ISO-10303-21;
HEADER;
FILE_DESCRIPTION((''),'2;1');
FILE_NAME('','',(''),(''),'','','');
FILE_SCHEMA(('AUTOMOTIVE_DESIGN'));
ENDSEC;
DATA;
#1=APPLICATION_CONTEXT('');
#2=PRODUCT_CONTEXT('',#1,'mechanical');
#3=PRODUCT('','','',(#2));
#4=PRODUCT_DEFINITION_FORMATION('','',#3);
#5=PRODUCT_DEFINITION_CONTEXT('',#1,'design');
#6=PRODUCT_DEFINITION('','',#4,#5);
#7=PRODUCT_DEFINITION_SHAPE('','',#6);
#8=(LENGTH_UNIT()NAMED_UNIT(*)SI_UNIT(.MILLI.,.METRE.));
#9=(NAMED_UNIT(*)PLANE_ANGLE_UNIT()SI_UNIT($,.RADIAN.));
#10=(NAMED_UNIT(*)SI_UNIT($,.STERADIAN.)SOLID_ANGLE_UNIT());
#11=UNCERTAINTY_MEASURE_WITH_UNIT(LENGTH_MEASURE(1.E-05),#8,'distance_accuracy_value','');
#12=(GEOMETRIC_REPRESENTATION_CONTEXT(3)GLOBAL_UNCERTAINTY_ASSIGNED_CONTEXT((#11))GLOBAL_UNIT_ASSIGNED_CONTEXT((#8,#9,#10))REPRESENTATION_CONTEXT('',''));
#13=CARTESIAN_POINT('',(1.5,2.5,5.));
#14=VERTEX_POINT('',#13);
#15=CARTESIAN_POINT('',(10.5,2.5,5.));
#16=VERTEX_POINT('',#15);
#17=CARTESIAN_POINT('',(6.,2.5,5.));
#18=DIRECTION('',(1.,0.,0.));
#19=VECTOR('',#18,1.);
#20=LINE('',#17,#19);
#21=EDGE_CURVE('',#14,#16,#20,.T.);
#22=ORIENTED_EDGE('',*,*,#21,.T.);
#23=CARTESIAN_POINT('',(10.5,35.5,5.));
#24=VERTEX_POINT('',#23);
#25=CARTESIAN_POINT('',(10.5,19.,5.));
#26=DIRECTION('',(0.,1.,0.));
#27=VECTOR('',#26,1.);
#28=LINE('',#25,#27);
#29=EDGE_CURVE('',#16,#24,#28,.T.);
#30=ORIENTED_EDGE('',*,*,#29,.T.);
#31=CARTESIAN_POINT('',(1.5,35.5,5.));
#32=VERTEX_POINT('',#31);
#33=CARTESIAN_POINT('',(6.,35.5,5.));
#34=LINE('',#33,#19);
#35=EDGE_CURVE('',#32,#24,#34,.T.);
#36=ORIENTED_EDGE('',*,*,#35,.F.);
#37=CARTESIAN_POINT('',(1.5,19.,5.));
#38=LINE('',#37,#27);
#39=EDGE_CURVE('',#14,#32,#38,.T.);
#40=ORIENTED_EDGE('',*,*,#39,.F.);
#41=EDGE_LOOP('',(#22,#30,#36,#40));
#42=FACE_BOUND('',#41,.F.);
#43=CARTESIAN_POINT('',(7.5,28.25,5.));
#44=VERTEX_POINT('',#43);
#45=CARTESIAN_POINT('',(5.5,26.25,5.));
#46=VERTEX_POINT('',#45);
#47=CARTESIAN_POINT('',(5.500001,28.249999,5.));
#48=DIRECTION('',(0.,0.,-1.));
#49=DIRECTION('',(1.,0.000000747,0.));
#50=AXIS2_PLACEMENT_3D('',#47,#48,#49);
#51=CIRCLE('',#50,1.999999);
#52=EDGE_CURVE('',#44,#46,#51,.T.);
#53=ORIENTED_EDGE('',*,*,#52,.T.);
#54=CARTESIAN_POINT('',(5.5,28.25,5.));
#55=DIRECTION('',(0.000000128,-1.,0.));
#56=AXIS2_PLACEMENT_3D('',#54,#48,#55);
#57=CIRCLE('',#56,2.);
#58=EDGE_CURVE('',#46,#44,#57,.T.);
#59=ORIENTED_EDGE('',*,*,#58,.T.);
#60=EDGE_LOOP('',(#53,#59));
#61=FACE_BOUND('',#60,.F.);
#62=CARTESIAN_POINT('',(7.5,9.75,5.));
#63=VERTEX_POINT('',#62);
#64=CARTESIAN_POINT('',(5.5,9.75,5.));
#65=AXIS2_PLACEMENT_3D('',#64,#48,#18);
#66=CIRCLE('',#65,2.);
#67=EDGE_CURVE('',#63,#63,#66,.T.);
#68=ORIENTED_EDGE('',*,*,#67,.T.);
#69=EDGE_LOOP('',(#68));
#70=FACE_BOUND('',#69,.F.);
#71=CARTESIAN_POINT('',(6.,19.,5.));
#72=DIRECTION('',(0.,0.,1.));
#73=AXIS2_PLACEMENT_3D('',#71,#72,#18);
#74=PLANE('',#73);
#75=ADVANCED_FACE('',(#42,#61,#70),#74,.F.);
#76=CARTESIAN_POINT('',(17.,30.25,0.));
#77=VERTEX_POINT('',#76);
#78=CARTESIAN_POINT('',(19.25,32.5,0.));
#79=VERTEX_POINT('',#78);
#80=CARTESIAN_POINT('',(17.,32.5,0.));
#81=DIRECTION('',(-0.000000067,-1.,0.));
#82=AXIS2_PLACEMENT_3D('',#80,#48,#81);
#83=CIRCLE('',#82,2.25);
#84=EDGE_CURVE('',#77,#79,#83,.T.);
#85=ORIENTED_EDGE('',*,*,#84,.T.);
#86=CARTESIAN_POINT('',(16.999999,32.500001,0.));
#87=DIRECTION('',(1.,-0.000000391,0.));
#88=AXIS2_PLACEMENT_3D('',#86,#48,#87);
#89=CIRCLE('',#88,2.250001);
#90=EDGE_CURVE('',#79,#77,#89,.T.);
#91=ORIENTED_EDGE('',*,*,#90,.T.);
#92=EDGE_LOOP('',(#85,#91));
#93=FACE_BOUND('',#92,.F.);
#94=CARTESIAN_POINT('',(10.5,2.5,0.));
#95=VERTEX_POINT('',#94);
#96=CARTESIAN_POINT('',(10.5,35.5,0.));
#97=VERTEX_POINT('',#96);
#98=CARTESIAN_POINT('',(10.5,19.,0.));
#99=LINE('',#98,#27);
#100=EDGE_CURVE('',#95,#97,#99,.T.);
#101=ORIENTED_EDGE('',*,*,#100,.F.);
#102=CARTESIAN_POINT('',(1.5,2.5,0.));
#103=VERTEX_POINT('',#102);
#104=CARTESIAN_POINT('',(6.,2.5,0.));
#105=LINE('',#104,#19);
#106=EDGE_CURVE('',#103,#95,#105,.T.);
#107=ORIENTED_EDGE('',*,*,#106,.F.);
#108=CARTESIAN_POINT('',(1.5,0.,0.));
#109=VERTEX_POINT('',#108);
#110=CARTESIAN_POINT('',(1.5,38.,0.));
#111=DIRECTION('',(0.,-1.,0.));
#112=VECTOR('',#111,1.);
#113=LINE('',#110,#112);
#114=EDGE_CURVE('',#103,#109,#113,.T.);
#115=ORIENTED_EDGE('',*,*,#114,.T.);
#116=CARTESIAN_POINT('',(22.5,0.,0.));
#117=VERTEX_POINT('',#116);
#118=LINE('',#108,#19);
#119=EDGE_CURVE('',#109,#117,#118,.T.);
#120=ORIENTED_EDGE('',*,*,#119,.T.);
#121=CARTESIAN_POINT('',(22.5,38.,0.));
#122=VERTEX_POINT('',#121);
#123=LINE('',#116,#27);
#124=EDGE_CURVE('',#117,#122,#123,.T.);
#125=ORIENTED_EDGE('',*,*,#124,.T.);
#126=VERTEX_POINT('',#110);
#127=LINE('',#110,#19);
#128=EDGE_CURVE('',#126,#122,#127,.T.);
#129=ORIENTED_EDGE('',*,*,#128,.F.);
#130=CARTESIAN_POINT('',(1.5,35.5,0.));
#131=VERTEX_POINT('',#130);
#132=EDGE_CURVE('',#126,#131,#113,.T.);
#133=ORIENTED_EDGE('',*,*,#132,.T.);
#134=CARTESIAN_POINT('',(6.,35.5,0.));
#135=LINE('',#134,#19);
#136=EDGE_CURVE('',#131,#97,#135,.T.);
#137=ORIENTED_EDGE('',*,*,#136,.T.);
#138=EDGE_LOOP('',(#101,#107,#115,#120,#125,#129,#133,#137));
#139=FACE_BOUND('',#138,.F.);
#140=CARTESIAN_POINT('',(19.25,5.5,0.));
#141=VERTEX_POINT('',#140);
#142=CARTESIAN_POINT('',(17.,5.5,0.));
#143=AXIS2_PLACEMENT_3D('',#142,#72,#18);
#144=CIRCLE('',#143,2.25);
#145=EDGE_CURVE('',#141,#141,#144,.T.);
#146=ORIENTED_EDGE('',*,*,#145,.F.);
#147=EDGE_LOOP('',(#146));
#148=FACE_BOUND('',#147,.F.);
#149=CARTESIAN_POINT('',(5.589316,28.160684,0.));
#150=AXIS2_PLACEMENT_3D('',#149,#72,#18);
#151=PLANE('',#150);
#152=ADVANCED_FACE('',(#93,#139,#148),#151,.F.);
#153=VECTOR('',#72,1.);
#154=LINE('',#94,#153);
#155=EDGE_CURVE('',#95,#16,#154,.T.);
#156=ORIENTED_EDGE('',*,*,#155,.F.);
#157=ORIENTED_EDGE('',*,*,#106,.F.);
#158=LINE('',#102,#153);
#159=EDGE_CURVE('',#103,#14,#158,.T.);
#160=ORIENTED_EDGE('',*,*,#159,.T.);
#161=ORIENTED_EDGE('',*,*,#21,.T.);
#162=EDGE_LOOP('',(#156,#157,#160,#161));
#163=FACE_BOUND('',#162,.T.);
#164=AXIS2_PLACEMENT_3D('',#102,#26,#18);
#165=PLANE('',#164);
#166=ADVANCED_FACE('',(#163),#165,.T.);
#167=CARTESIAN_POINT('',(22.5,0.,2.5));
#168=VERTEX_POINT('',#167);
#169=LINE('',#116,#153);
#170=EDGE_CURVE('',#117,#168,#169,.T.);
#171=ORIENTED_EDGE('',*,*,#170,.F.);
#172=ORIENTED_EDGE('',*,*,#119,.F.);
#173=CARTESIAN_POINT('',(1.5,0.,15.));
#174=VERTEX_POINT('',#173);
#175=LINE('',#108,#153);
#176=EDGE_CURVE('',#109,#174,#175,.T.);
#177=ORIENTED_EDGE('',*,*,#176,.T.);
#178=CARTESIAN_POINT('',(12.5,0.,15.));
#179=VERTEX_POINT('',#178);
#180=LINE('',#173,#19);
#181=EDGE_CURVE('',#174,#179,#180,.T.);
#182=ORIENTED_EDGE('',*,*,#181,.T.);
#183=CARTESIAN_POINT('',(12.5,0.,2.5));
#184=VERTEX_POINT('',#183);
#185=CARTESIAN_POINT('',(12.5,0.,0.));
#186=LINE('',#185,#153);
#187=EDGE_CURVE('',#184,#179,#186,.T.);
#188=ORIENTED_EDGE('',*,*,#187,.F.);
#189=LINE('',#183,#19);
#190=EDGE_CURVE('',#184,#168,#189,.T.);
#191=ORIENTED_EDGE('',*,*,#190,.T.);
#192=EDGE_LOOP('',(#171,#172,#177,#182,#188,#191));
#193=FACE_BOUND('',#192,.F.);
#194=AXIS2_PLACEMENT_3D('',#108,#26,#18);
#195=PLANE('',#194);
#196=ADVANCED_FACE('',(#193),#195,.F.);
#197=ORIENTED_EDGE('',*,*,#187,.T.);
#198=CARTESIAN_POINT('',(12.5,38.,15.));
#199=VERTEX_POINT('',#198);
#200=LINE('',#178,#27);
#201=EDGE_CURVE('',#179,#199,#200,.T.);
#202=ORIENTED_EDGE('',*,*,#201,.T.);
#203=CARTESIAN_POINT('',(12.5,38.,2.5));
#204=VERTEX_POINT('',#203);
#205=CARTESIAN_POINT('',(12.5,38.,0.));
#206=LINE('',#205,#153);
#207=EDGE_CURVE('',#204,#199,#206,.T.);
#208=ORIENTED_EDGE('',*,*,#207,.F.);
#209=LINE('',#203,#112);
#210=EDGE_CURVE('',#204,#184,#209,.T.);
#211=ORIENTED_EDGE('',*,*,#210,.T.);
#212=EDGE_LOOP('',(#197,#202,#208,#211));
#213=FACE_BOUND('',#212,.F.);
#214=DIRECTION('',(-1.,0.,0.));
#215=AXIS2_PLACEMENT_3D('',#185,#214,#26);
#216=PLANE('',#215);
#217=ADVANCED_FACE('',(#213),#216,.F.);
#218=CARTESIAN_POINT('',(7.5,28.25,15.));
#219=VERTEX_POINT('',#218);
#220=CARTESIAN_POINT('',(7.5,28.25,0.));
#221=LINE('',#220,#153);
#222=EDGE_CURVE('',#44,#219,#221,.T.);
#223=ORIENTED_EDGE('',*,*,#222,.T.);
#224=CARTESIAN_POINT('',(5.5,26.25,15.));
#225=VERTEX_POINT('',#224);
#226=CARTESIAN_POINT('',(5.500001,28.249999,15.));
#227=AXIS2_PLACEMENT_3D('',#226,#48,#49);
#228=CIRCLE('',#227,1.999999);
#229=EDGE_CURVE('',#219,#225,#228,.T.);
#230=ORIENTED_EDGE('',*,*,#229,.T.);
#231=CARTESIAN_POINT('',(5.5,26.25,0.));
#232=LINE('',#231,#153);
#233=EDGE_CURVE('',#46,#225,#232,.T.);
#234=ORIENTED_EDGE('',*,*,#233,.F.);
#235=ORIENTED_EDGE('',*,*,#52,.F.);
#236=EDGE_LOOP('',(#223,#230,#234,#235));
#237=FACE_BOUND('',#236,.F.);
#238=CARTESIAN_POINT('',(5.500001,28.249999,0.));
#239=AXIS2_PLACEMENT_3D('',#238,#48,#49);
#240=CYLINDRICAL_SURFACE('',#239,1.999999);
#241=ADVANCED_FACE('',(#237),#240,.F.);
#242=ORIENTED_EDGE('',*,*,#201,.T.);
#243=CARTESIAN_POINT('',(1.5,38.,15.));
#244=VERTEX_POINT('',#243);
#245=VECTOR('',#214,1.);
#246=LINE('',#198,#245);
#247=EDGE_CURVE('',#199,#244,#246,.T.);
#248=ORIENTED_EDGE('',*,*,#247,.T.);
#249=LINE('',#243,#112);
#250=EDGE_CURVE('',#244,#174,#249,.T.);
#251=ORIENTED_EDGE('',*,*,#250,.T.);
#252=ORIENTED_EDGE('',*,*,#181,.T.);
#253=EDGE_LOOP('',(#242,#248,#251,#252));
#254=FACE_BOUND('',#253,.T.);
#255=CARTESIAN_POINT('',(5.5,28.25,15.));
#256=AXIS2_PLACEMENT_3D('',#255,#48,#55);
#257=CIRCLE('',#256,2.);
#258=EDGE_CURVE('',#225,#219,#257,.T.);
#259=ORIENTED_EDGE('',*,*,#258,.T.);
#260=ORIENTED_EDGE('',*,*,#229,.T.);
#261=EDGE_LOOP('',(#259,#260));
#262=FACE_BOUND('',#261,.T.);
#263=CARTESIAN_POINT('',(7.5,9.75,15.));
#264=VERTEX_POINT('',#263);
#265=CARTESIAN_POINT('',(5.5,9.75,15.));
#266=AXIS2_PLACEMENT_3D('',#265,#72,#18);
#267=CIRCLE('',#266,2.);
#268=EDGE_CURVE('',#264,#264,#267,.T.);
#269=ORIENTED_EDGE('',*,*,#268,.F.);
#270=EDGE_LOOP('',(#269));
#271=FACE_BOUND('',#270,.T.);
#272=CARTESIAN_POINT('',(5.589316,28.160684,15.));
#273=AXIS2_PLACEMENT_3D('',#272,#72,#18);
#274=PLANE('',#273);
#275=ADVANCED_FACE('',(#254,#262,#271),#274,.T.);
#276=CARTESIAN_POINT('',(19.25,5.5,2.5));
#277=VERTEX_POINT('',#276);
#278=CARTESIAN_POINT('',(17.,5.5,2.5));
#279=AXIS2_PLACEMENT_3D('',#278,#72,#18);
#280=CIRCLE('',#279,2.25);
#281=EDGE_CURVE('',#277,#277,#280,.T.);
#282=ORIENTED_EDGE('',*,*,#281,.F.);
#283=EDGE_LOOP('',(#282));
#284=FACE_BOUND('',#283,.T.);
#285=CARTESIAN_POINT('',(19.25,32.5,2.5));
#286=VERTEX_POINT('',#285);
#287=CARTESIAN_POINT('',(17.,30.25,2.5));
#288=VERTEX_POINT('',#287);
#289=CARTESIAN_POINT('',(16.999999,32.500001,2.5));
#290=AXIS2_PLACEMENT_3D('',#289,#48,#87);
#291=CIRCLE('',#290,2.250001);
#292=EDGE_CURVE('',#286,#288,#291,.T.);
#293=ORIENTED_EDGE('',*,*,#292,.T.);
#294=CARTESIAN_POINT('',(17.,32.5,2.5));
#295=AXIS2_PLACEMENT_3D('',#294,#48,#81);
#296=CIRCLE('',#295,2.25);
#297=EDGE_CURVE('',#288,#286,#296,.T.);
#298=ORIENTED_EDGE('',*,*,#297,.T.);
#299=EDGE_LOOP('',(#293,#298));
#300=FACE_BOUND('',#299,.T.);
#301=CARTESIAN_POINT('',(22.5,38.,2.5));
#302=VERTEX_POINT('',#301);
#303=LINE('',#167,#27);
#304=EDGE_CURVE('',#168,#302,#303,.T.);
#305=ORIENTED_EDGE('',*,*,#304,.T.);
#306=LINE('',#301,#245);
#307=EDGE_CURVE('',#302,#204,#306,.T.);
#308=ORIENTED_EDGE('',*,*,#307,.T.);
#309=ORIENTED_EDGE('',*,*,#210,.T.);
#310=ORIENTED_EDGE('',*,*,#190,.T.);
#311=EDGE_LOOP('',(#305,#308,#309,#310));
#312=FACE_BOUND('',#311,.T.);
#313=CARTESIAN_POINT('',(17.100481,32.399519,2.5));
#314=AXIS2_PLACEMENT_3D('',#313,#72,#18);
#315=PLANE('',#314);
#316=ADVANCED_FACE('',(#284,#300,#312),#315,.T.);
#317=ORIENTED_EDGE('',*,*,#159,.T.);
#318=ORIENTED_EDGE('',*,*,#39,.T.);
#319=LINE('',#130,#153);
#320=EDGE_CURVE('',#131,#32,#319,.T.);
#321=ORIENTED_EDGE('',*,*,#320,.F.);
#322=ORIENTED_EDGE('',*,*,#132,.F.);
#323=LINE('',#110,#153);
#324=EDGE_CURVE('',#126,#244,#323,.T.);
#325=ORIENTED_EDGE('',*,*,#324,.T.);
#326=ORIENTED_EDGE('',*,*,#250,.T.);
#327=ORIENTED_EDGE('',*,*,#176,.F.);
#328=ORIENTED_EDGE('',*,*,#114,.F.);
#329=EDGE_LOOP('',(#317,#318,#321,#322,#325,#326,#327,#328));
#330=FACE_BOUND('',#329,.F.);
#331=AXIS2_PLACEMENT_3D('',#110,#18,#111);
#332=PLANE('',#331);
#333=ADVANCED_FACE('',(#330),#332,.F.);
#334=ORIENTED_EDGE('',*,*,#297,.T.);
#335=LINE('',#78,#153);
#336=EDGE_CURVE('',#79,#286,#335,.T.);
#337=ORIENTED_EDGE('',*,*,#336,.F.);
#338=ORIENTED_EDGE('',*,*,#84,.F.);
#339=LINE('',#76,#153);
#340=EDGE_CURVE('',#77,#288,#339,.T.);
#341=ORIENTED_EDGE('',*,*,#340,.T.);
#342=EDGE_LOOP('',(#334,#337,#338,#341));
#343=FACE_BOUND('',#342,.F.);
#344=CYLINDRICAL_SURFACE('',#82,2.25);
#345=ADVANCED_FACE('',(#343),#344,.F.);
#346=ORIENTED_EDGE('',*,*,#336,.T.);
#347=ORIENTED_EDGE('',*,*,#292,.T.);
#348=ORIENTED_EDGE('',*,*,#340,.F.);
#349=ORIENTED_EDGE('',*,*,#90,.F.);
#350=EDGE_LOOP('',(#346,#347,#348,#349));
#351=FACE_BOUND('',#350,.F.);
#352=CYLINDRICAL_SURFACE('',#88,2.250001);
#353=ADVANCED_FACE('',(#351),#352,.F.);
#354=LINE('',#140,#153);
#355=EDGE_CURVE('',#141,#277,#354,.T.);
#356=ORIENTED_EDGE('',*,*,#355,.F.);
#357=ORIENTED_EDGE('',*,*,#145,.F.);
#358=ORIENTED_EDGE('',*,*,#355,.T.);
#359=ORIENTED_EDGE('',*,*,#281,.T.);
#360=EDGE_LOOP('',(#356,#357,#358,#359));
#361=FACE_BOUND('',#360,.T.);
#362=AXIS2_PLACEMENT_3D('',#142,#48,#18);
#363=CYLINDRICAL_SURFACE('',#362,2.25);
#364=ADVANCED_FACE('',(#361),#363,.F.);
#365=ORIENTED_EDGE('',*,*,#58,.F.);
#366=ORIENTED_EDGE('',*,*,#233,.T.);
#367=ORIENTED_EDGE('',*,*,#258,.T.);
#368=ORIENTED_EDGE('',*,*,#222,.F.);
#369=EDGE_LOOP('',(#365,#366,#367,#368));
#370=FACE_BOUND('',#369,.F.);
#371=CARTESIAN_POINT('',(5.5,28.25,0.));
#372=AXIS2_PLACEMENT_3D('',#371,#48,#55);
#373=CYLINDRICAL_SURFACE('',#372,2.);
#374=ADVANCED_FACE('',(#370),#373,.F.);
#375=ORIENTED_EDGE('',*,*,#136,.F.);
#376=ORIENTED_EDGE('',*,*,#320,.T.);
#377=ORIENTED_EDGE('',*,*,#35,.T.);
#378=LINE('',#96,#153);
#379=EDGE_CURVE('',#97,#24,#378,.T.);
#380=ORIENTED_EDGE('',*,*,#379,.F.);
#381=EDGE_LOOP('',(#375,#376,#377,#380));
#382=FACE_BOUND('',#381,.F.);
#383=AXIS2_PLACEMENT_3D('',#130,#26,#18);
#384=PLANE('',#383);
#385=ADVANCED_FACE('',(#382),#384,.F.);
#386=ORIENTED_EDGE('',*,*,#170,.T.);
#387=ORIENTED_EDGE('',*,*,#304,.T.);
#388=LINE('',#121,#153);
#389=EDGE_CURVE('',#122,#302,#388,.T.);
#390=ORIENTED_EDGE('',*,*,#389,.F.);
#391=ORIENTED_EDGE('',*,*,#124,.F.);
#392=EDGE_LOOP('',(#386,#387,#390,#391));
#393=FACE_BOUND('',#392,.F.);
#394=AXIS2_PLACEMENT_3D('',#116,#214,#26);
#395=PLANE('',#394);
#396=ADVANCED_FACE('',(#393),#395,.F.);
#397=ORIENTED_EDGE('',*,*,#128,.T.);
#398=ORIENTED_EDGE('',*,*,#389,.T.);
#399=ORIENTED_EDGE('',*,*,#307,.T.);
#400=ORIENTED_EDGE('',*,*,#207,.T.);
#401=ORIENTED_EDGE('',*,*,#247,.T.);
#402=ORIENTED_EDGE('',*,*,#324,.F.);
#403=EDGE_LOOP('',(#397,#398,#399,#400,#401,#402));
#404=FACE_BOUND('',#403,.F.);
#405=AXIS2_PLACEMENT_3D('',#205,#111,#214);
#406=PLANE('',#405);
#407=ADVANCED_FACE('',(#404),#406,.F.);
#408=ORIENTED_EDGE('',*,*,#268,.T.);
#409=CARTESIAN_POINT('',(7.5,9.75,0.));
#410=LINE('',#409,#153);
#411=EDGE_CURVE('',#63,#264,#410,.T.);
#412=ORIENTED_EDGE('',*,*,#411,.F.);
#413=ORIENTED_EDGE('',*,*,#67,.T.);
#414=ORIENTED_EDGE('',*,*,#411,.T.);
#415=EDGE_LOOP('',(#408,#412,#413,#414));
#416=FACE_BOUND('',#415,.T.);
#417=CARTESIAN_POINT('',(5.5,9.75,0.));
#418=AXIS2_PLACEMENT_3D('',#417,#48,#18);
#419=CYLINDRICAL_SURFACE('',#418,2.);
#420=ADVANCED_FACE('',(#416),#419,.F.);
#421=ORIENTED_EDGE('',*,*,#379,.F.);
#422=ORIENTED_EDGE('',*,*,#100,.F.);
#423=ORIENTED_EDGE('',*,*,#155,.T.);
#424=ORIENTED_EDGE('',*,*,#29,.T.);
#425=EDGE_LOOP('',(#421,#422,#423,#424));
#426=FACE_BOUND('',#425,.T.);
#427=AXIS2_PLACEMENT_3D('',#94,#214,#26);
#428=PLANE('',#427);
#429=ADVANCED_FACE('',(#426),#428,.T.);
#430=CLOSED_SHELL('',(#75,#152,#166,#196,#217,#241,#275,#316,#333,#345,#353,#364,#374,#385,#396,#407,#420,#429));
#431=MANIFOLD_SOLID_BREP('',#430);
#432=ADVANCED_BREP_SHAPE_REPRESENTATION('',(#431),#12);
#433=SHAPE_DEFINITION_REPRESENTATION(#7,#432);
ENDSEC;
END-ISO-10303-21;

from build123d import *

# Parameters (mm, degrees)
F0_R     = 2.25
F1_DEPTH = 2.5
F2_R     = 2
F3_DEPTH = 15
F4_W     = 9
F4_H     = 33
F5_DEPTH = 5


with BuildPart() as f1:
    # F0 (on Top) → F1 (new body)
    with BuildSketch(Plane.XY):
        with BuildLine():
            ThreePointArc((19.25, 32.5), (15.40901, 34.09099), (17, 30.25))
            ThreePointArc((17, 30.25), (18.59099, 30.90901), (19.25, 32.5))
        make_face()
        Polygon((12.5, 19), (12.5, 0), (22.5, 0), (22.5, 38), (12.5, 38), align=None)
        with Locations((17, 5.5)):
            Circle(F0_R, mode=Mode.SUBTRACT)
        with BuildLine():
            ThreePointArc((19.25, 32.5), (18.59099, 30.90901), (17, 30.25))
            ThreePointArc((17, 30.25), (15.40901, 34.09099), (19.25, 32.5))
        make_face(mode=Mode.SUBTRACT)
    extrude(amount=F1_DEPTH)

    # F2 (on Top) → F3 (join)
    with BuildSketch(Plane.XY):
        with BuildLine():
            ThreePointArc((7.5, 28.25), (4.085786, 29.664214), (5.5, 26.25))
            ThreePointArc((5.5, 26.25), (6.914214, 26.835786), (7.5, 28.25))
        make_face()
        Polygon((1.5, 19), (1.5, 0), (12.5, 0), (12.5, 38), (1.5, 38), align=None)
        with Locations((5.5, 9.75)):
            Circle(F2_R, mode=Mode.SUBTRACT)
        with BuildLine():
            ThreePointArc((7.5, 28.25), (6.914214, 26.835786), (5.5, 26.25))
            ThreePointArc((5.5, 26.25), (4.085786, 29.664214), (7.5, 28.25))
        make_face(mode=Mode.SUBTRACT)
    extrude(amount=F3_DEPTH)

    # F4 (on Top) → F5 (cut)
    with BuildSketch(Plane.XY):
        with Locations((6, 19)):
            Rectangle(F4_W, F4_H)
    extrude(amount=F5_DEPTH, mode=Mode.SUBTRACT)


solid = f1.part
